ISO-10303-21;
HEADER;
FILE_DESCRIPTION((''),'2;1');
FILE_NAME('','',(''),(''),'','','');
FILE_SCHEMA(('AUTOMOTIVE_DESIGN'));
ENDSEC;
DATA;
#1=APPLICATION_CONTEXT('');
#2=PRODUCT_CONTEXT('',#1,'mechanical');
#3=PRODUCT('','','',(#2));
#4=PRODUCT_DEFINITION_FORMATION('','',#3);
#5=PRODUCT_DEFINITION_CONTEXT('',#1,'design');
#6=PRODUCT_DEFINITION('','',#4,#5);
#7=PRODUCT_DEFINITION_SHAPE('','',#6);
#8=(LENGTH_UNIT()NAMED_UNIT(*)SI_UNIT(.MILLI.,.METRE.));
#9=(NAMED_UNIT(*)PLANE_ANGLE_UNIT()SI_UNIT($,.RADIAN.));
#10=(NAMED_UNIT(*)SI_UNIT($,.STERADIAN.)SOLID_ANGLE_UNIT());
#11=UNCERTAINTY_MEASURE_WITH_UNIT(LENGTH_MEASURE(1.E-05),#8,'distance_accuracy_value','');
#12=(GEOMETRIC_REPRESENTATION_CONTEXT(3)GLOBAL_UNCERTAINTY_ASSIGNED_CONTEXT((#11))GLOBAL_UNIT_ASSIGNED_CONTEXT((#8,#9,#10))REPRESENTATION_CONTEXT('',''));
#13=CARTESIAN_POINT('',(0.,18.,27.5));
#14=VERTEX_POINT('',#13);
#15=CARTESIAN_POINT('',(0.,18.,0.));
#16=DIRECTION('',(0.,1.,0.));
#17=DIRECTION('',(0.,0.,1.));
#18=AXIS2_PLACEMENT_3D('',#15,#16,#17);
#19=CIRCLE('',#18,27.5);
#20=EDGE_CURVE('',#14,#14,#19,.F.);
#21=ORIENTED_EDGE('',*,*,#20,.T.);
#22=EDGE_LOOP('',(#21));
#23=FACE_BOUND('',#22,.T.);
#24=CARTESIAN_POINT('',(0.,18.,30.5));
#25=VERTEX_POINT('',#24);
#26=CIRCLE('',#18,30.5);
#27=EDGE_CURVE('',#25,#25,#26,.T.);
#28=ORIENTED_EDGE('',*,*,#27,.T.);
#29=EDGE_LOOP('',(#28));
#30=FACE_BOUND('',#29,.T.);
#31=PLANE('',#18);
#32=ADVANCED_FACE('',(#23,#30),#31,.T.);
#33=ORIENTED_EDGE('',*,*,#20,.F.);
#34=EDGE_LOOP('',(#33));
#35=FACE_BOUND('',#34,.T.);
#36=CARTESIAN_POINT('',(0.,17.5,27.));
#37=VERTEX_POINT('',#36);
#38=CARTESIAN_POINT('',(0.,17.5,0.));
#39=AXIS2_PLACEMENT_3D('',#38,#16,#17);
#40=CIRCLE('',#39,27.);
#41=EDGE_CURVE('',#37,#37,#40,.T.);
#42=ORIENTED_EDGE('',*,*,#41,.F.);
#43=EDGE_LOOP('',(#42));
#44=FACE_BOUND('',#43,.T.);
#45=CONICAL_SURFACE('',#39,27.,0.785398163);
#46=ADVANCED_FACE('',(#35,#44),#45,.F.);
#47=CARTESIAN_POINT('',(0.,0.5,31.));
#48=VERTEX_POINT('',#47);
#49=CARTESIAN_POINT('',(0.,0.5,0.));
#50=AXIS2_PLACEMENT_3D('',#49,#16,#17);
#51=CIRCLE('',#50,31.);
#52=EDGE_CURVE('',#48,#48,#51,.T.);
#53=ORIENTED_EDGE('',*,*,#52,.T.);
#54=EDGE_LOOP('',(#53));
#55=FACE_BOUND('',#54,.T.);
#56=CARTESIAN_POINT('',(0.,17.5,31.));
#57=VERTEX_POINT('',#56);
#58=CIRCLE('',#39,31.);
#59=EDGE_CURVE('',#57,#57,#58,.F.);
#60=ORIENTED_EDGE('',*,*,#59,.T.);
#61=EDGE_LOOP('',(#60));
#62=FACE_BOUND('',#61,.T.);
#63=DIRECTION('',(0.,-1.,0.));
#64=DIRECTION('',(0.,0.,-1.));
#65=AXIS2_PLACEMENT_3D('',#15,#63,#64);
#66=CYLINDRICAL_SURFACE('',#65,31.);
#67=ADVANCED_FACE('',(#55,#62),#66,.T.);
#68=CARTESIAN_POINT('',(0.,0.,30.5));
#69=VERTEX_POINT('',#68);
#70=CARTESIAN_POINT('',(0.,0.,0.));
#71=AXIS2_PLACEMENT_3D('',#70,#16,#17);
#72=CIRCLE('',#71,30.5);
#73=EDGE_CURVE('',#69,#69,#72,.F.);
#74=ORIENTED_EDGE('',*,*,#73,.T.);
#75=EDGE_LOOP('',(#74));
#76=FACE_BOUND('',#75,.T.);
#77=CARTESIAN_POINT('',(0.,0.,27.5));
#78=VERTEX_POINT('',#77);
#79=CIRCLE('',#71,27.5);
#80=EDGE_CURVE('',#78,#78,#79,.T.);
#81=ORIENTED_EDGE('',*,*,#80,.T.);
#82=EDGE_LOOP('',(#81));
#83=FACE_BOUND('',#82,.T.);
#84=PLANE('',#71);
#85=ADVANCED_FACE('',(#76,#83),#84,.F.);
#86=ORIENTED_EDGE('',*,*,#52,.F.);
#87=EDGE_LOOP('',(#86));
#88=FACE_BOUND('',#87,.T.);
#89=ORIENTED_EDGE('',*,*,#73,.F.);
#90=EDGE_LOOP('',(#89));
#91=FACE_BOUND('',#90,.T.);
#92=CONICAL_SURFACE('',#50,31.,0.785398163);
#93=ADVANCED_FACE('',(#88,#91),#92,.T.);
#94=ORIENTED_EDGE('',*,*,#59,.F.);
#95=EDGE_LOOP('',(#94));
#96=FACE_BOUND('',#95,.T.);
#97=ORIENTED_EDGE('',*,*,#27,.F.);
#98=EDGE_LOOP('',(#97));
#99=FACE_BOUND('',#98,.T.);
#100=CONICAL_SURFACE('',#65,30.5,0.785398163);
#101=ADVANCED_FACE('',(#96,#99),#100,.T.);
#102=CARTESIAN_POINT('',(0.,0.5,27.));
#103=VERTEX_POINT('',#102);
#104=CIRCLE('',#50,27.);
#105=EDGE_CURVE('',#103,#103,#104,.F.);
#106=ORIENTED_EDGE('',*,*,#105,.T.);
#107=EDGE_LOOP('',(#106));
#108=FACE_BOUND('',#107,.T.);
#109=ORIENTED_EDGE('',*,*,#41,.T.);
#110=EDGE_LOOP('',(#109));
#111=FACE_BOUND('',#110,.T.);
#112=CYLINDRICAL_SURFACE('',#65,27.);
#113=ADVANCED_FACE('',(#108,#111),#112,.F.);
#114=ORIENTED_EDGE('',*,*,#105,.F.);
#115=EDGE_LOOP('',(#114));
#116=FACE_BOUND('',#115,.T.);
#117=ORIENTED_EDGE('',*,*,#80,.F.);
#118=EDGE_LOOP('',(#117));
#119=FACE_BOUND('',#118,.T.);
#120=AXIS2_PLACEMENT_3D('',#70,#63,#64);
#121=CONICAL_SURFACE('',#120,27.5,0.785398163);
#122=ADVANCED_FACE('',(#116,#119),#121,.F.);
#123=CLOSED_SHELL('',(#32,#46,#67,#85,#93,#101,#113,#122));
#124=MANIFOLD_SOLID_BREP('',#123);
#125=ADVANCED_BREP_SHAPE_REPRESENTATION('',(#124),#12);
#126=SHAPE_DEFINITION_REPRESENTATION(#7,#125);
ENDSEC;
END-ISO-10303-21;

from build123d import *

# Parameters (mm, degrees)
SCHIZZO1_R        = 31
SCHIZZO1_R_2      = 27
ESTRUSIONE1_DEPTH = 18
SMUSSO1_SIZE      = 0.5


with BuildPart() as part:
    # Schizzo1 → Estrusione1 (new body)
    with BuildSketch(Plane(origin=(0, 0, 0), x_dir=(1, 0, 0), z_dir=(0, 1, 0))):
        with Locations(Location((0, 0, 0), (0, 0, 270))):
            Circle(SCHIZZO1_R)
        with Locations(Location((0, 0, 0), (0, 0, 270))):
            Circle(SCHIZZO1_R_2, mode=Mode.SUBTRACT)
    extrude(amount=ESTRUSIONE1_DEPTH)

    # Smusso1
    smusso1_edges = [part.edges().sort_by_distance(p)[0] for p in [
        (0, 0, -31),
        (0, 18, -31),
        (0, 0, -27),
        (0, 18, -27),
    ]]
    chamfer(smusso1_edges, length=SMUSSO1_SIZE)


solid = part.part
